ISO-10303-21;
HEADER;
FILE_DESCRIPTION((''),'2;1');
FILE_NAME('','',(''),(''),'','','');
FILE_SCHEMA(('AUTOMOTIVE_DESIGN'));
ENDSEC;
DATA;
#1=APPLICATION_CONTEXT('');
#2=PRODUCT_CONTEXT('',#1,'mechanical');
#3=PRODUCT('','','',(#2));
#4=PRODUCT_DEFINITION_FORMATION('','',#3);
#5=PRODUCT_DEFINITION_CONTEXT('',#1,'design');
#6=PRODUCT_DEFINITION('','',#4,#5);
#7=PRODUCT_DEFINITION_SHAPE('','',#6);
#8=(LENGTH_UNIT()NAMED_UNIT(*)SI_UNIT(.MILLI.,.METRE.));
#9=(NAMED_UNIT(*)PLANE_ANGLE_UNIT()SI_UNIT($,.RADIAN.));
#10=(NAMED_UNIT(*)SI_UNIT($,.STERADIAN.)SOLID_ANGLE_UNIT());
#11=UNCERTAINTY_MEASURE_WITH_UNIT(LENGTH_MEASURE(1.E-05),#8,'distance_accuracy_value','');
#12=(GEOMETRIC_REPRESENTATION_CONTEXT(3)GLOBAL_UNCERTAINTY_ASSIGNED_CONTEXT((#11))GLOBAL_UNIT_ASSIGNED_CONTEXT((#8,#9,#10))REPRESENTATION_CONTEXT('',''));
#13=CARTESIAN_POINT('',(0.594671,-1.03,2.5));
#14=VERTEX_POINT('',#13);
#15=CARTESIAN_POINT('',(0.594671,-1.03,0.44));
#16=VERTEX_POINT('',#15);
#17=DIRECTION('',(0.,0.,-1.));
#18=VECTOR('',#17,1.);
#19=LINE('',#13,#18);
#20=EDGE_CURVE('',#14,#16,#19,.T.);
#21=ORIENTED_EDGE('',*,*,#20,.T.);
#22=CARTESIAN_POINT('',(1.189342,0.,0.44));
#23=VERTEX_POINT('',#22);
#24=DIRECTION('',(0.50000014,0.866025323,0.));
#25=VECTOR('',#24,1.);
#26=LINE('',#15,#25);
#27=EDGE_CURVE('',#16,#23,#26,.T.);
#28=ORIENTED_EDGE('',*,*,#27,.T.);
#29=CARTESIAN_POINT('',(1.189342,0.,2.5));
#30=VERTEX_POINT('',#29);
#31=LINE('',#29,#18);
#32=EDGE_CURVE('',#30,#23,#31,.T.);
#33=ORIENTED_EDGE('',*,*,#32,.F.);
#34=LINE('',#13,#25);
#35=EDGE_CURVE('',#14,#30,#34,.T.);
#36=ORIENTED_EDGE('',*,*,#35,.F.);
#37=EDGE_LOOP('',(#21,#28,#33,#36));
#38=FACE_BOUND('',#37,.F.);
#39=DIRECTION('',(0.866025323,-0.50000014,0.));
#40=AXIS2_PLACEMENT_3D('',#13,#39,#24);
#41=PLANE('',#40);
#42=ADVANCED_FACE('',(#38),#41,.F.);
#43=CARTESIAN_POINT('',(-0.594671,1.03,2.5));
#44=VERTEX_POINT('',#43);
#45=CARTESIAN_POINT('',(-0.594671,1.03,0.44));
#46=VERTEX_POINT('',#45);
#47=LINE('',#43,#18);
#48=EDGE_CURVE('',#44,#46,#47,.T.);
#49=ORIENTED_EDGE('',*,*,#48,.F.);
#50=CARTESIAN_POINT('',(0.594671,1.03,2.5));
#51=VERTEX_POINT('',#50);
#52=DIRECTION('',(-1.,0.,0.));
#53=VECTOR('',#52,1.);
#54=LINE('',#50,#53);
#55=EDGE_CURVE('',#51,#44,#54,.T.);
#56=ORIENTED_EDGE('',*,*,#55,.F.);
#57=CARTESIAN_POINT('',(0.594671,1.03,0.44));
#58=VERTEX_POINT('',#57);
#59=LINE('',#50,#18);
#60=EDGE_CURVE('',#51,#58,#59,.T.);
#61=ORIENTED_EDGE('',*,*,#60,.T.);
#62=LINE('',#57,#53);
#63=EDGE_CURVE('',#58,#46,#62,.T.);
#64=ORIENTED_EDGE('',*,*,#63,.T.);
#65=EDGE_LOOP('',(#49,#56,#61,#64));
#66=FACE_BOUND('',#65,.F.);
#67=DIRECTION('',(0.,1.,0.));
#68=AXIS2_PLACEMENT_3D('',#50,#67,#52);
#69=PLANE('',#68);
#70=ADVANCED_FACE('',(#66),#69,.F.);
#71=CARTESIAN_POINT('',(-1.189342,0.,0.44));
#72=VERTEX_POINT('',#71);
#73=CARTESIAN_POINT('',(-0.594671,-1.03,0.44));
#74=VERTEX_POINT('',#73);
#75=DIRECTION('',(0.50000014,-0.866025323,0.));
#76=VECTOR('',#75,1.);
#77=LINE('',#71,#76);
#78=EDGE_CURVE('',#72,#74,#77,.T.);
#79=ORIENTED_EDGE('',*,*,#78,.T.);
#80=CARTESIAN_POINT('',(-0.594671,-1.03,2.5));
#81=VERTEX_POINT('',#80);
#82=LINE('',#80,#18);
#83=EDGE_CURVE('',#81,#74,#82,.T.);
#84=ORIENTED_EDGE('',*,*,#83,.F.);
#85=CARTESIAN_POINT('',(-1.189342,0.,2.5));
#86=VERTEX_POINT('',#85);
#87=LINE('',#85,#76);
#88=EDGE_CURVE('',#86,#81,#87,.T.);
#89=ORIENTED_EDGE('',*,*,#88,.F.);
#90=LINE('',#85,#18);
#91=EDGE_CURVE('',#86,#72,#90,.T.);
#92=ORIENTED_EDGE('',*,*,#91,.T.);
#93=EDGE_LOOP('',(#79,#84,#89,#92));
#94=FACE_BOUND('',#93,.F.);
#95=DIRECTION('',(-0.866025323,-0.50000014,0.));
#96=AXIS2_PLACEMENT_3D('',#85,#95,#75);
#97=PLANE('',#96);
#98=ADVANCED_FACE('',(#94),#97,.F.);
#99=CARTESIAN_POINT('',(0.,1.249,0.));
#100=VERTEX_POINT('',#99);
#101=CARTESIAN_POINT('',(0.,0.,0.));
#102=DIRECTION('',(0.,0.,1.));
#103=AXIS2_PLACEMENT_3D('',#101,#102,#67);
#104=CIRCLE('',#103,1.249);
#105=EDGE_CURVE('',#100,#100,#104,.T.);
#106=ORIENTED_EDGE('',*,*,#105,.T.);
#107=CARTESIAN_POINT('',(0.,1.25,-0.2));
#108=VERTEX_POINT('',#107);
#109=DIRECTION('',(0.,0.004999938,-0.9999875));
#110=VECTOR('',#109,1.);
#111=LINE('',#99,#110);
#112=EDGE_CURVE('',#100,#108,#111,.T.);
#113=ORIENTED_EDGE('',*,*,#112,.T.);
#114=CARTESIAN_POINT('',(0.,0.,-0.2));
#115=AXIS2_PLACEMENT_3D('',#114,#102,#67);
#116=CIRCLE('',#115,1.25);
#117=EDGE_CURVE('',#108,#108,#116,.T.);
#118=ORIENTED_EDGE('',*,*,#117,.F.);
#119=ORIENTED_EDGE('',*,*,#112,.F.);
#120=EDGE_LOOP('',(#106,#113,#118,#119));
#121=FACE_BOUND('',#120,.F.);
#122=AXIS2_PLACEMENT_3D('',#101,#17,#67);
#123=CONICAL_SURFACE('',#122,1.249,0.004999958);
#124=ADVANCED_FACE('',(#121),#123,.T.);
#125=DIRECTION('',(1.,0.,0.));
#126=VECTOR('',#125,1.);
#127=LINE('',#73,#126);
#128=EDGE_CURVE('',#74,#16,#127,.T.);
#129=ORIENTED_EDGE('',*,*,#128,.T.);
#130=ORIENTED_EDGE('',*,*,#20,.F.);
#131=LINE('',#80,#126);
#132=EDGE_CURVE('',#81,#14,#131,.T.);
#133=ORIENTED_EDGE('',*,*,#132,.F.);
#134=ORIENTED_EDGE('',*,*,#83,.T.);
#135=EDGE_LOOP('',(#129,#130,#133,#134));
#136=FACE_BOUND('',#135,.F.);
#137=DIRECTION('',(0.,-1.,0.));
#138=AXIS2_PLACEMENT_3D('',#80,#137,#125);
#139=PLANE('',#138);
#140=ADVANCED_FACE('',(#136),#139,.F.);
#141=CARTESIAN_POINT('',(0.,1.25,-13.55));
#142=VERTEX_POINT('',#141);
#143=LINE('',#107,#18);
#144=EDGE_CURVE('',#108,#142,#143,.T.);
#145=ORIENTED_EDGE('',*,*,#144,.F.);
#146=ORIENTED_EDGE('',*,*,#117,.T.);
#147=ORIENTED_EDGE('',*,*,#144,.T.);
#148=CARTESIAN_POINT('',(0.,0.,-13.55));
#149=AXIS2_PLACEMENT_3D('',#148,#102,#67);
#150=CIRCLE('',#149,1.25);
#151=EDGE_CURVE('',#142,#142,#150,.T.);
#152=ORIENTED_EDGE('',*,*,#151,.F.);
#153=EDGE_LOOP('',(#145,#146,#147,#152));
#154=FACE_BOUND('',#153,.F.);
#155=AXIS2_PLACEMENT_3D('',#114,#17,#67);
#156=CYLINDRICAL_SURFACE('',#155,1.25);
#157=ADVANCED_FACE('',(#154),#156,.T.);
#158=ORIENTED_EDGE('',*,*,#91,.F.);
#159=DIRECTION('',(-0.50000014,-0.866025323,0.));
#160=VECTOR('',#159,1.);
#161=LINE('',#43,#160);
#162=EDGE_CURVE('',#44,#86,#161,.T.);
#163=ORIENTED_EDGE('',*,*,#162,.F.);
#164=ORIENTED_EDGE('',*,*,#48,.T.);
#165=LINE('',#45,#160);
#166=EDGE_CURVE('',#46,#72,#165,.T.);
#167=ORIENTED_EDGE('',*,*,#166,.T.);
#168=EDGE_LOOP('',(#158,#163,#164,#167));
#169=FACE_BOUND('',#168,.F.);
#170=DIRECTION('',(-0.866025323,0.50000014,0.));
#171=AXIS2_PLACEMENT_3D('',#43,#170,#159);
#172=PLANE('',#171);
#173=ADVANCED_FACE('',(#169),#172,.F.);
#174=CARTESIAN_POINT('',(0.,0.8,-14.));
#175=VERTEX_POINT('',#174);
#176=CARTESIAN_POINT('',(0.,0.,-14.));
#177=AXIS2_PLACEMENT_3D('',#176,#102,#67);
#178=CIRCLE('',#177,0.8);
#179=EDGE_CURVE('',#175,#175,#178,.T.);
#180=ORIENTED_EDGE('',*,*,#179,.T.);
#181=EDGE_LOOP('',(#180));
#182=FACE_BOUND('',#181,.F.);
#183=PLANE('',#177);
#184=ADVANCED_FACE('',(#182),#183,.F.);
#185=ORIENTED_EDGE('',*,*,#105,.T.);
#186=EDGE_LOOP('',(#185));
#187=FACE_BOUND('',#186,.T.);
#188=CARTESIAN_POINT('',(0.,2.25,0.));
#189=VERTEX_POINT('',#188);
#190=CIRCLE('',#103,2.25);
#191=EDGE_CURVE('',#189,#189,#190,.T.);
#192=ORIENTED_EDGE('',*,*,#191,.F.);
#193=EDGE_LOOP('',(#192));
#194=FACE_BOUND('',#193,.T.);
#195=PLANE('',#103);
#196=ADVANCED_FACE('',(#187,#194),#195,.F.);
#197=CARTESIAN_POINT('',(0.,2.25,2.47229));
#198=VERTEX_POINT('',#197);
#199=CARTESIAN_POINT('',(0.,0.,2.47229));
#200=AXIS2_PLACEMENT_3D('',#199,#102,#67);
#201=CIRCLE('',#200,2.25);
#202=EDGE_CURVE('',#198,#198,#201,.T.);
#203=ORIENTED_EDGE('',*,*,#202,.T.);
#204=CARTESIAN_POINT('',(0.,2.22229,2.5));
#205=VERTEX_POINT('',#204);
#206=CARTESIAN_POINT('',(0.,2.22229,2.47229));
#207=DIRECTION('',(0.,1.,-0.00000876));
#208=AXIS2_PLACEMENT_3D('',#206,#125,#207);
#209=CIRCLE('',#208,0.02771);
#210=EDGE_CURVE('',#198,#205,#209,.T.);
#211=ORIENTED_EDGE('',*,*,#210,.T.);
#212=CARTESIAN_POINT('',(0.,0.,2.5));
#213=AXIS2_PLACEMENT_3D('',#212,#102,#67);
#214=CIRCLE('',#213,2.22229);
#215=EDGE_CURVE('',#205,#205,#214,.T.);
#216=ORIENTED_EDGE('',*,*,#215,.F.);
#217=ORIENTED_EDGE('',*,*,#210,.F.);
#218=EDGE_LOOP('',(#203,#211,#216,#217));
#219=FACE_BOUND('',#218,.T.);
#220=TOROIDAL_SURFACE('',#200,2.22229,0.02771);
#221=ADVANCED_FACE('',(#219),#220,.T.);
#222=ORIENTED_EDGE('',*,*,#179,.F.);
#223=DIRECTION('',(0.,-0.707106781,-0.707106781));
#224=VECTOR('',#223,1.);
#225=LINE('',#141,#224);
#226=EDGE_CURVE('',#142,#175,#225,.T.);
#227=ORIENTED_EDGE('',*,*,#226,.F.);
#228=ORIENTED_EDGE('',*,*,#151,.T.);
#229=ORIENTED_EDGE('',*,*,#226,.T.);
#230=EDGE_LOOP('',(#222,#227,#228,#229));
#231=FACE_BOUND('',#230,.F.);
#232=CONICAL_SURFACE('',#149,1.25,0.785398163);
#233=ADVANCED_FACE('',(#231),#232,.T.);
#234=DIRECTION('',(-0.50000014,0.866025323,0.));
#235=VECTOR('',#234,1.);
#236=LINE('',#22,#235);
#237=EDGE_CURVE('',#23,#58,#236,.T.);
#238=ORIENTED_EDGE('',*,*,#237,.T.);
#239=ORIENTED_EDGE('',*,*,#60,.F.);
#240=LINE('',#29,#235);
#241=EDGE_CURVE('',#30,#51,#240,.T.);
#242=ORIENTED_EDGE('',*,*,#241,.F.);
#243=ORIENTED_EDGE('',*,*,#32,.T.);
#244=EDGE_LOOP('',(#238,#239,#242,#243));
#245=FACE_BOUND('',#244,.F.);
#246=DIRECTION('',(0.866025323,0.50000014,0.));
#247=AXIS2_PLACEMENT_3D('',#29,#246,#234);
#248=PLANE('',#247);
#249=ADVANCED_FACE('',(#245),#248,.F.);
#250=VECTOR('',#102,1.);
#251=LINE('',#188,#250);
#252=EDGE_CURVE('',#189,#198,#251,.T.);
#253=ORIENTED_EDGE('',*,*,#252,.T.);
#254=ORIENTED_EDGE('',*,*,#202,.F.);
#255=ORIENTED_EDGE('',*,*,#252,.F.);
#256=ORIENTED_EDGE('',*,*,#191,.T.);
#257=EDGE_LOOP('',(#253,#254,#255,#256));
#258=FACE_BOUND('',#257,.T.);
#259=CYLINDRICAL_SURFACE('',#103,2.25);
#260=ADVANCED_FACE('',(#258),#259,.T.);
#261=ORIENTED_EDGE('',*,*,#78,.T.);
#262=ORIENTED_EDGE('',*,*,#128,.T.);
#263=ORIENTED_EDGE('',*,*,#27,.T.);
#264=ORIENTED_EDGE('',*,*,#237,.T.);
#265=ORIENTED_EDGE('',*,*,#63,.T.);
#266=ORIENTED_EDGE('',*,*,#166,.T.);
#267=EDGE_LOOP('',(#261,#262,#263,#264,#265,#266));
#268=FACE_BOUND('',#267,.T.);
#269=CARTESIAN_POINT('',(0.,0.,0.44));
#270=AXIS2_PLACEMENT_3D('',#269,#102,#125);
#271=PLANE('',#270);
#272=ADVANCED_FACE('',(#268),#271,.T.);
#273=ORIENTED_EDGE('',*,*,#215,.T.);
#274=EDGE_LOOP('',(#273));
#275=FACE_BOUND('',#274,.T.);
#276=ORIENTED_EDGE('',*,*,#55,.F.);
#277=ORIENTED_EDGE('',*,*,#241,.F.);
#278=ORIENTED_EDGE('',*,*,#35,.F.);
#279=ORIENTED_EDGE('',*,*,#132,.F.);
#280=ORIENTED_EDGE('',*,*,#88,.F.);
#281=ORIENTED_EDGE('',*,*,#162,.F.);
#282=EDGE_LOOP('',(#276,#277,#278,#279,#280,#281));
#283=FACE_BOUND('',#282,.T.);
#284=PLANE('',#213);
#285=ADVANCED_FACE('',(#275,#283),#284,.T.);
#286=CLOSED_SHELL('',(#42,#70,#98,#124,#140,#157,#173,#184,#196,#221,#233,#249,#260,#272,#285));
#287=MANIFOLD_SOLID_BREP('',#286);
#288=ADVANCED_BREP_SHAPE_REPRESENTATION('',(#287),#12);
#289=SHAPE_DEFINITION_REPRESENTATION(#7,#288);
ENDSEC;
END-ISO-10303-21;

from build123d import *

# Parameters (mm, degrees)
POCKET_DEPTH = 2.06


with BuildPart() as part:
    # Sketch → Revolve (revolve)
    with BuildSketch(Plane.YZ):
        with BuildLine():
            Line((1.249, 0), (2.25, 0))
            Line((2.25, 0), (2.25, 2.47229))
            ThreePointArc((2.25, 2.47229), (2.241884, 2.491884), (2.22229, 2.5))
            Line((2.22229, 2.5), (0, 2.5))
            Line((0, -14), (0, 2.5))
            Line((0.8, -14), (0, -14))
            Line((1.25, -13.55), (0.8, -14))
            Line((1.25, -0.2), (1.25, -13.55))
            Line((1.249, 0), (1.25, -0.2))
        make_face()
    revolve(axis=Axis((0, 0, 0), (0, 0, 1)))

    # Sketch001 → Pocket (cut)
    with BuildSketch(Plane.XY.offset(2.5)):
        Polygon((1.189342, 0), (0.594671, 1.03), (-0.594671, 1.03), (-1.189342, 0), (-0.594671, -1.03), (0.594671, -1.03), align=None)
    extrude(amount=-POCKET_DEPTH, mode=Mode.SUBTRACT)


solid = part.part
